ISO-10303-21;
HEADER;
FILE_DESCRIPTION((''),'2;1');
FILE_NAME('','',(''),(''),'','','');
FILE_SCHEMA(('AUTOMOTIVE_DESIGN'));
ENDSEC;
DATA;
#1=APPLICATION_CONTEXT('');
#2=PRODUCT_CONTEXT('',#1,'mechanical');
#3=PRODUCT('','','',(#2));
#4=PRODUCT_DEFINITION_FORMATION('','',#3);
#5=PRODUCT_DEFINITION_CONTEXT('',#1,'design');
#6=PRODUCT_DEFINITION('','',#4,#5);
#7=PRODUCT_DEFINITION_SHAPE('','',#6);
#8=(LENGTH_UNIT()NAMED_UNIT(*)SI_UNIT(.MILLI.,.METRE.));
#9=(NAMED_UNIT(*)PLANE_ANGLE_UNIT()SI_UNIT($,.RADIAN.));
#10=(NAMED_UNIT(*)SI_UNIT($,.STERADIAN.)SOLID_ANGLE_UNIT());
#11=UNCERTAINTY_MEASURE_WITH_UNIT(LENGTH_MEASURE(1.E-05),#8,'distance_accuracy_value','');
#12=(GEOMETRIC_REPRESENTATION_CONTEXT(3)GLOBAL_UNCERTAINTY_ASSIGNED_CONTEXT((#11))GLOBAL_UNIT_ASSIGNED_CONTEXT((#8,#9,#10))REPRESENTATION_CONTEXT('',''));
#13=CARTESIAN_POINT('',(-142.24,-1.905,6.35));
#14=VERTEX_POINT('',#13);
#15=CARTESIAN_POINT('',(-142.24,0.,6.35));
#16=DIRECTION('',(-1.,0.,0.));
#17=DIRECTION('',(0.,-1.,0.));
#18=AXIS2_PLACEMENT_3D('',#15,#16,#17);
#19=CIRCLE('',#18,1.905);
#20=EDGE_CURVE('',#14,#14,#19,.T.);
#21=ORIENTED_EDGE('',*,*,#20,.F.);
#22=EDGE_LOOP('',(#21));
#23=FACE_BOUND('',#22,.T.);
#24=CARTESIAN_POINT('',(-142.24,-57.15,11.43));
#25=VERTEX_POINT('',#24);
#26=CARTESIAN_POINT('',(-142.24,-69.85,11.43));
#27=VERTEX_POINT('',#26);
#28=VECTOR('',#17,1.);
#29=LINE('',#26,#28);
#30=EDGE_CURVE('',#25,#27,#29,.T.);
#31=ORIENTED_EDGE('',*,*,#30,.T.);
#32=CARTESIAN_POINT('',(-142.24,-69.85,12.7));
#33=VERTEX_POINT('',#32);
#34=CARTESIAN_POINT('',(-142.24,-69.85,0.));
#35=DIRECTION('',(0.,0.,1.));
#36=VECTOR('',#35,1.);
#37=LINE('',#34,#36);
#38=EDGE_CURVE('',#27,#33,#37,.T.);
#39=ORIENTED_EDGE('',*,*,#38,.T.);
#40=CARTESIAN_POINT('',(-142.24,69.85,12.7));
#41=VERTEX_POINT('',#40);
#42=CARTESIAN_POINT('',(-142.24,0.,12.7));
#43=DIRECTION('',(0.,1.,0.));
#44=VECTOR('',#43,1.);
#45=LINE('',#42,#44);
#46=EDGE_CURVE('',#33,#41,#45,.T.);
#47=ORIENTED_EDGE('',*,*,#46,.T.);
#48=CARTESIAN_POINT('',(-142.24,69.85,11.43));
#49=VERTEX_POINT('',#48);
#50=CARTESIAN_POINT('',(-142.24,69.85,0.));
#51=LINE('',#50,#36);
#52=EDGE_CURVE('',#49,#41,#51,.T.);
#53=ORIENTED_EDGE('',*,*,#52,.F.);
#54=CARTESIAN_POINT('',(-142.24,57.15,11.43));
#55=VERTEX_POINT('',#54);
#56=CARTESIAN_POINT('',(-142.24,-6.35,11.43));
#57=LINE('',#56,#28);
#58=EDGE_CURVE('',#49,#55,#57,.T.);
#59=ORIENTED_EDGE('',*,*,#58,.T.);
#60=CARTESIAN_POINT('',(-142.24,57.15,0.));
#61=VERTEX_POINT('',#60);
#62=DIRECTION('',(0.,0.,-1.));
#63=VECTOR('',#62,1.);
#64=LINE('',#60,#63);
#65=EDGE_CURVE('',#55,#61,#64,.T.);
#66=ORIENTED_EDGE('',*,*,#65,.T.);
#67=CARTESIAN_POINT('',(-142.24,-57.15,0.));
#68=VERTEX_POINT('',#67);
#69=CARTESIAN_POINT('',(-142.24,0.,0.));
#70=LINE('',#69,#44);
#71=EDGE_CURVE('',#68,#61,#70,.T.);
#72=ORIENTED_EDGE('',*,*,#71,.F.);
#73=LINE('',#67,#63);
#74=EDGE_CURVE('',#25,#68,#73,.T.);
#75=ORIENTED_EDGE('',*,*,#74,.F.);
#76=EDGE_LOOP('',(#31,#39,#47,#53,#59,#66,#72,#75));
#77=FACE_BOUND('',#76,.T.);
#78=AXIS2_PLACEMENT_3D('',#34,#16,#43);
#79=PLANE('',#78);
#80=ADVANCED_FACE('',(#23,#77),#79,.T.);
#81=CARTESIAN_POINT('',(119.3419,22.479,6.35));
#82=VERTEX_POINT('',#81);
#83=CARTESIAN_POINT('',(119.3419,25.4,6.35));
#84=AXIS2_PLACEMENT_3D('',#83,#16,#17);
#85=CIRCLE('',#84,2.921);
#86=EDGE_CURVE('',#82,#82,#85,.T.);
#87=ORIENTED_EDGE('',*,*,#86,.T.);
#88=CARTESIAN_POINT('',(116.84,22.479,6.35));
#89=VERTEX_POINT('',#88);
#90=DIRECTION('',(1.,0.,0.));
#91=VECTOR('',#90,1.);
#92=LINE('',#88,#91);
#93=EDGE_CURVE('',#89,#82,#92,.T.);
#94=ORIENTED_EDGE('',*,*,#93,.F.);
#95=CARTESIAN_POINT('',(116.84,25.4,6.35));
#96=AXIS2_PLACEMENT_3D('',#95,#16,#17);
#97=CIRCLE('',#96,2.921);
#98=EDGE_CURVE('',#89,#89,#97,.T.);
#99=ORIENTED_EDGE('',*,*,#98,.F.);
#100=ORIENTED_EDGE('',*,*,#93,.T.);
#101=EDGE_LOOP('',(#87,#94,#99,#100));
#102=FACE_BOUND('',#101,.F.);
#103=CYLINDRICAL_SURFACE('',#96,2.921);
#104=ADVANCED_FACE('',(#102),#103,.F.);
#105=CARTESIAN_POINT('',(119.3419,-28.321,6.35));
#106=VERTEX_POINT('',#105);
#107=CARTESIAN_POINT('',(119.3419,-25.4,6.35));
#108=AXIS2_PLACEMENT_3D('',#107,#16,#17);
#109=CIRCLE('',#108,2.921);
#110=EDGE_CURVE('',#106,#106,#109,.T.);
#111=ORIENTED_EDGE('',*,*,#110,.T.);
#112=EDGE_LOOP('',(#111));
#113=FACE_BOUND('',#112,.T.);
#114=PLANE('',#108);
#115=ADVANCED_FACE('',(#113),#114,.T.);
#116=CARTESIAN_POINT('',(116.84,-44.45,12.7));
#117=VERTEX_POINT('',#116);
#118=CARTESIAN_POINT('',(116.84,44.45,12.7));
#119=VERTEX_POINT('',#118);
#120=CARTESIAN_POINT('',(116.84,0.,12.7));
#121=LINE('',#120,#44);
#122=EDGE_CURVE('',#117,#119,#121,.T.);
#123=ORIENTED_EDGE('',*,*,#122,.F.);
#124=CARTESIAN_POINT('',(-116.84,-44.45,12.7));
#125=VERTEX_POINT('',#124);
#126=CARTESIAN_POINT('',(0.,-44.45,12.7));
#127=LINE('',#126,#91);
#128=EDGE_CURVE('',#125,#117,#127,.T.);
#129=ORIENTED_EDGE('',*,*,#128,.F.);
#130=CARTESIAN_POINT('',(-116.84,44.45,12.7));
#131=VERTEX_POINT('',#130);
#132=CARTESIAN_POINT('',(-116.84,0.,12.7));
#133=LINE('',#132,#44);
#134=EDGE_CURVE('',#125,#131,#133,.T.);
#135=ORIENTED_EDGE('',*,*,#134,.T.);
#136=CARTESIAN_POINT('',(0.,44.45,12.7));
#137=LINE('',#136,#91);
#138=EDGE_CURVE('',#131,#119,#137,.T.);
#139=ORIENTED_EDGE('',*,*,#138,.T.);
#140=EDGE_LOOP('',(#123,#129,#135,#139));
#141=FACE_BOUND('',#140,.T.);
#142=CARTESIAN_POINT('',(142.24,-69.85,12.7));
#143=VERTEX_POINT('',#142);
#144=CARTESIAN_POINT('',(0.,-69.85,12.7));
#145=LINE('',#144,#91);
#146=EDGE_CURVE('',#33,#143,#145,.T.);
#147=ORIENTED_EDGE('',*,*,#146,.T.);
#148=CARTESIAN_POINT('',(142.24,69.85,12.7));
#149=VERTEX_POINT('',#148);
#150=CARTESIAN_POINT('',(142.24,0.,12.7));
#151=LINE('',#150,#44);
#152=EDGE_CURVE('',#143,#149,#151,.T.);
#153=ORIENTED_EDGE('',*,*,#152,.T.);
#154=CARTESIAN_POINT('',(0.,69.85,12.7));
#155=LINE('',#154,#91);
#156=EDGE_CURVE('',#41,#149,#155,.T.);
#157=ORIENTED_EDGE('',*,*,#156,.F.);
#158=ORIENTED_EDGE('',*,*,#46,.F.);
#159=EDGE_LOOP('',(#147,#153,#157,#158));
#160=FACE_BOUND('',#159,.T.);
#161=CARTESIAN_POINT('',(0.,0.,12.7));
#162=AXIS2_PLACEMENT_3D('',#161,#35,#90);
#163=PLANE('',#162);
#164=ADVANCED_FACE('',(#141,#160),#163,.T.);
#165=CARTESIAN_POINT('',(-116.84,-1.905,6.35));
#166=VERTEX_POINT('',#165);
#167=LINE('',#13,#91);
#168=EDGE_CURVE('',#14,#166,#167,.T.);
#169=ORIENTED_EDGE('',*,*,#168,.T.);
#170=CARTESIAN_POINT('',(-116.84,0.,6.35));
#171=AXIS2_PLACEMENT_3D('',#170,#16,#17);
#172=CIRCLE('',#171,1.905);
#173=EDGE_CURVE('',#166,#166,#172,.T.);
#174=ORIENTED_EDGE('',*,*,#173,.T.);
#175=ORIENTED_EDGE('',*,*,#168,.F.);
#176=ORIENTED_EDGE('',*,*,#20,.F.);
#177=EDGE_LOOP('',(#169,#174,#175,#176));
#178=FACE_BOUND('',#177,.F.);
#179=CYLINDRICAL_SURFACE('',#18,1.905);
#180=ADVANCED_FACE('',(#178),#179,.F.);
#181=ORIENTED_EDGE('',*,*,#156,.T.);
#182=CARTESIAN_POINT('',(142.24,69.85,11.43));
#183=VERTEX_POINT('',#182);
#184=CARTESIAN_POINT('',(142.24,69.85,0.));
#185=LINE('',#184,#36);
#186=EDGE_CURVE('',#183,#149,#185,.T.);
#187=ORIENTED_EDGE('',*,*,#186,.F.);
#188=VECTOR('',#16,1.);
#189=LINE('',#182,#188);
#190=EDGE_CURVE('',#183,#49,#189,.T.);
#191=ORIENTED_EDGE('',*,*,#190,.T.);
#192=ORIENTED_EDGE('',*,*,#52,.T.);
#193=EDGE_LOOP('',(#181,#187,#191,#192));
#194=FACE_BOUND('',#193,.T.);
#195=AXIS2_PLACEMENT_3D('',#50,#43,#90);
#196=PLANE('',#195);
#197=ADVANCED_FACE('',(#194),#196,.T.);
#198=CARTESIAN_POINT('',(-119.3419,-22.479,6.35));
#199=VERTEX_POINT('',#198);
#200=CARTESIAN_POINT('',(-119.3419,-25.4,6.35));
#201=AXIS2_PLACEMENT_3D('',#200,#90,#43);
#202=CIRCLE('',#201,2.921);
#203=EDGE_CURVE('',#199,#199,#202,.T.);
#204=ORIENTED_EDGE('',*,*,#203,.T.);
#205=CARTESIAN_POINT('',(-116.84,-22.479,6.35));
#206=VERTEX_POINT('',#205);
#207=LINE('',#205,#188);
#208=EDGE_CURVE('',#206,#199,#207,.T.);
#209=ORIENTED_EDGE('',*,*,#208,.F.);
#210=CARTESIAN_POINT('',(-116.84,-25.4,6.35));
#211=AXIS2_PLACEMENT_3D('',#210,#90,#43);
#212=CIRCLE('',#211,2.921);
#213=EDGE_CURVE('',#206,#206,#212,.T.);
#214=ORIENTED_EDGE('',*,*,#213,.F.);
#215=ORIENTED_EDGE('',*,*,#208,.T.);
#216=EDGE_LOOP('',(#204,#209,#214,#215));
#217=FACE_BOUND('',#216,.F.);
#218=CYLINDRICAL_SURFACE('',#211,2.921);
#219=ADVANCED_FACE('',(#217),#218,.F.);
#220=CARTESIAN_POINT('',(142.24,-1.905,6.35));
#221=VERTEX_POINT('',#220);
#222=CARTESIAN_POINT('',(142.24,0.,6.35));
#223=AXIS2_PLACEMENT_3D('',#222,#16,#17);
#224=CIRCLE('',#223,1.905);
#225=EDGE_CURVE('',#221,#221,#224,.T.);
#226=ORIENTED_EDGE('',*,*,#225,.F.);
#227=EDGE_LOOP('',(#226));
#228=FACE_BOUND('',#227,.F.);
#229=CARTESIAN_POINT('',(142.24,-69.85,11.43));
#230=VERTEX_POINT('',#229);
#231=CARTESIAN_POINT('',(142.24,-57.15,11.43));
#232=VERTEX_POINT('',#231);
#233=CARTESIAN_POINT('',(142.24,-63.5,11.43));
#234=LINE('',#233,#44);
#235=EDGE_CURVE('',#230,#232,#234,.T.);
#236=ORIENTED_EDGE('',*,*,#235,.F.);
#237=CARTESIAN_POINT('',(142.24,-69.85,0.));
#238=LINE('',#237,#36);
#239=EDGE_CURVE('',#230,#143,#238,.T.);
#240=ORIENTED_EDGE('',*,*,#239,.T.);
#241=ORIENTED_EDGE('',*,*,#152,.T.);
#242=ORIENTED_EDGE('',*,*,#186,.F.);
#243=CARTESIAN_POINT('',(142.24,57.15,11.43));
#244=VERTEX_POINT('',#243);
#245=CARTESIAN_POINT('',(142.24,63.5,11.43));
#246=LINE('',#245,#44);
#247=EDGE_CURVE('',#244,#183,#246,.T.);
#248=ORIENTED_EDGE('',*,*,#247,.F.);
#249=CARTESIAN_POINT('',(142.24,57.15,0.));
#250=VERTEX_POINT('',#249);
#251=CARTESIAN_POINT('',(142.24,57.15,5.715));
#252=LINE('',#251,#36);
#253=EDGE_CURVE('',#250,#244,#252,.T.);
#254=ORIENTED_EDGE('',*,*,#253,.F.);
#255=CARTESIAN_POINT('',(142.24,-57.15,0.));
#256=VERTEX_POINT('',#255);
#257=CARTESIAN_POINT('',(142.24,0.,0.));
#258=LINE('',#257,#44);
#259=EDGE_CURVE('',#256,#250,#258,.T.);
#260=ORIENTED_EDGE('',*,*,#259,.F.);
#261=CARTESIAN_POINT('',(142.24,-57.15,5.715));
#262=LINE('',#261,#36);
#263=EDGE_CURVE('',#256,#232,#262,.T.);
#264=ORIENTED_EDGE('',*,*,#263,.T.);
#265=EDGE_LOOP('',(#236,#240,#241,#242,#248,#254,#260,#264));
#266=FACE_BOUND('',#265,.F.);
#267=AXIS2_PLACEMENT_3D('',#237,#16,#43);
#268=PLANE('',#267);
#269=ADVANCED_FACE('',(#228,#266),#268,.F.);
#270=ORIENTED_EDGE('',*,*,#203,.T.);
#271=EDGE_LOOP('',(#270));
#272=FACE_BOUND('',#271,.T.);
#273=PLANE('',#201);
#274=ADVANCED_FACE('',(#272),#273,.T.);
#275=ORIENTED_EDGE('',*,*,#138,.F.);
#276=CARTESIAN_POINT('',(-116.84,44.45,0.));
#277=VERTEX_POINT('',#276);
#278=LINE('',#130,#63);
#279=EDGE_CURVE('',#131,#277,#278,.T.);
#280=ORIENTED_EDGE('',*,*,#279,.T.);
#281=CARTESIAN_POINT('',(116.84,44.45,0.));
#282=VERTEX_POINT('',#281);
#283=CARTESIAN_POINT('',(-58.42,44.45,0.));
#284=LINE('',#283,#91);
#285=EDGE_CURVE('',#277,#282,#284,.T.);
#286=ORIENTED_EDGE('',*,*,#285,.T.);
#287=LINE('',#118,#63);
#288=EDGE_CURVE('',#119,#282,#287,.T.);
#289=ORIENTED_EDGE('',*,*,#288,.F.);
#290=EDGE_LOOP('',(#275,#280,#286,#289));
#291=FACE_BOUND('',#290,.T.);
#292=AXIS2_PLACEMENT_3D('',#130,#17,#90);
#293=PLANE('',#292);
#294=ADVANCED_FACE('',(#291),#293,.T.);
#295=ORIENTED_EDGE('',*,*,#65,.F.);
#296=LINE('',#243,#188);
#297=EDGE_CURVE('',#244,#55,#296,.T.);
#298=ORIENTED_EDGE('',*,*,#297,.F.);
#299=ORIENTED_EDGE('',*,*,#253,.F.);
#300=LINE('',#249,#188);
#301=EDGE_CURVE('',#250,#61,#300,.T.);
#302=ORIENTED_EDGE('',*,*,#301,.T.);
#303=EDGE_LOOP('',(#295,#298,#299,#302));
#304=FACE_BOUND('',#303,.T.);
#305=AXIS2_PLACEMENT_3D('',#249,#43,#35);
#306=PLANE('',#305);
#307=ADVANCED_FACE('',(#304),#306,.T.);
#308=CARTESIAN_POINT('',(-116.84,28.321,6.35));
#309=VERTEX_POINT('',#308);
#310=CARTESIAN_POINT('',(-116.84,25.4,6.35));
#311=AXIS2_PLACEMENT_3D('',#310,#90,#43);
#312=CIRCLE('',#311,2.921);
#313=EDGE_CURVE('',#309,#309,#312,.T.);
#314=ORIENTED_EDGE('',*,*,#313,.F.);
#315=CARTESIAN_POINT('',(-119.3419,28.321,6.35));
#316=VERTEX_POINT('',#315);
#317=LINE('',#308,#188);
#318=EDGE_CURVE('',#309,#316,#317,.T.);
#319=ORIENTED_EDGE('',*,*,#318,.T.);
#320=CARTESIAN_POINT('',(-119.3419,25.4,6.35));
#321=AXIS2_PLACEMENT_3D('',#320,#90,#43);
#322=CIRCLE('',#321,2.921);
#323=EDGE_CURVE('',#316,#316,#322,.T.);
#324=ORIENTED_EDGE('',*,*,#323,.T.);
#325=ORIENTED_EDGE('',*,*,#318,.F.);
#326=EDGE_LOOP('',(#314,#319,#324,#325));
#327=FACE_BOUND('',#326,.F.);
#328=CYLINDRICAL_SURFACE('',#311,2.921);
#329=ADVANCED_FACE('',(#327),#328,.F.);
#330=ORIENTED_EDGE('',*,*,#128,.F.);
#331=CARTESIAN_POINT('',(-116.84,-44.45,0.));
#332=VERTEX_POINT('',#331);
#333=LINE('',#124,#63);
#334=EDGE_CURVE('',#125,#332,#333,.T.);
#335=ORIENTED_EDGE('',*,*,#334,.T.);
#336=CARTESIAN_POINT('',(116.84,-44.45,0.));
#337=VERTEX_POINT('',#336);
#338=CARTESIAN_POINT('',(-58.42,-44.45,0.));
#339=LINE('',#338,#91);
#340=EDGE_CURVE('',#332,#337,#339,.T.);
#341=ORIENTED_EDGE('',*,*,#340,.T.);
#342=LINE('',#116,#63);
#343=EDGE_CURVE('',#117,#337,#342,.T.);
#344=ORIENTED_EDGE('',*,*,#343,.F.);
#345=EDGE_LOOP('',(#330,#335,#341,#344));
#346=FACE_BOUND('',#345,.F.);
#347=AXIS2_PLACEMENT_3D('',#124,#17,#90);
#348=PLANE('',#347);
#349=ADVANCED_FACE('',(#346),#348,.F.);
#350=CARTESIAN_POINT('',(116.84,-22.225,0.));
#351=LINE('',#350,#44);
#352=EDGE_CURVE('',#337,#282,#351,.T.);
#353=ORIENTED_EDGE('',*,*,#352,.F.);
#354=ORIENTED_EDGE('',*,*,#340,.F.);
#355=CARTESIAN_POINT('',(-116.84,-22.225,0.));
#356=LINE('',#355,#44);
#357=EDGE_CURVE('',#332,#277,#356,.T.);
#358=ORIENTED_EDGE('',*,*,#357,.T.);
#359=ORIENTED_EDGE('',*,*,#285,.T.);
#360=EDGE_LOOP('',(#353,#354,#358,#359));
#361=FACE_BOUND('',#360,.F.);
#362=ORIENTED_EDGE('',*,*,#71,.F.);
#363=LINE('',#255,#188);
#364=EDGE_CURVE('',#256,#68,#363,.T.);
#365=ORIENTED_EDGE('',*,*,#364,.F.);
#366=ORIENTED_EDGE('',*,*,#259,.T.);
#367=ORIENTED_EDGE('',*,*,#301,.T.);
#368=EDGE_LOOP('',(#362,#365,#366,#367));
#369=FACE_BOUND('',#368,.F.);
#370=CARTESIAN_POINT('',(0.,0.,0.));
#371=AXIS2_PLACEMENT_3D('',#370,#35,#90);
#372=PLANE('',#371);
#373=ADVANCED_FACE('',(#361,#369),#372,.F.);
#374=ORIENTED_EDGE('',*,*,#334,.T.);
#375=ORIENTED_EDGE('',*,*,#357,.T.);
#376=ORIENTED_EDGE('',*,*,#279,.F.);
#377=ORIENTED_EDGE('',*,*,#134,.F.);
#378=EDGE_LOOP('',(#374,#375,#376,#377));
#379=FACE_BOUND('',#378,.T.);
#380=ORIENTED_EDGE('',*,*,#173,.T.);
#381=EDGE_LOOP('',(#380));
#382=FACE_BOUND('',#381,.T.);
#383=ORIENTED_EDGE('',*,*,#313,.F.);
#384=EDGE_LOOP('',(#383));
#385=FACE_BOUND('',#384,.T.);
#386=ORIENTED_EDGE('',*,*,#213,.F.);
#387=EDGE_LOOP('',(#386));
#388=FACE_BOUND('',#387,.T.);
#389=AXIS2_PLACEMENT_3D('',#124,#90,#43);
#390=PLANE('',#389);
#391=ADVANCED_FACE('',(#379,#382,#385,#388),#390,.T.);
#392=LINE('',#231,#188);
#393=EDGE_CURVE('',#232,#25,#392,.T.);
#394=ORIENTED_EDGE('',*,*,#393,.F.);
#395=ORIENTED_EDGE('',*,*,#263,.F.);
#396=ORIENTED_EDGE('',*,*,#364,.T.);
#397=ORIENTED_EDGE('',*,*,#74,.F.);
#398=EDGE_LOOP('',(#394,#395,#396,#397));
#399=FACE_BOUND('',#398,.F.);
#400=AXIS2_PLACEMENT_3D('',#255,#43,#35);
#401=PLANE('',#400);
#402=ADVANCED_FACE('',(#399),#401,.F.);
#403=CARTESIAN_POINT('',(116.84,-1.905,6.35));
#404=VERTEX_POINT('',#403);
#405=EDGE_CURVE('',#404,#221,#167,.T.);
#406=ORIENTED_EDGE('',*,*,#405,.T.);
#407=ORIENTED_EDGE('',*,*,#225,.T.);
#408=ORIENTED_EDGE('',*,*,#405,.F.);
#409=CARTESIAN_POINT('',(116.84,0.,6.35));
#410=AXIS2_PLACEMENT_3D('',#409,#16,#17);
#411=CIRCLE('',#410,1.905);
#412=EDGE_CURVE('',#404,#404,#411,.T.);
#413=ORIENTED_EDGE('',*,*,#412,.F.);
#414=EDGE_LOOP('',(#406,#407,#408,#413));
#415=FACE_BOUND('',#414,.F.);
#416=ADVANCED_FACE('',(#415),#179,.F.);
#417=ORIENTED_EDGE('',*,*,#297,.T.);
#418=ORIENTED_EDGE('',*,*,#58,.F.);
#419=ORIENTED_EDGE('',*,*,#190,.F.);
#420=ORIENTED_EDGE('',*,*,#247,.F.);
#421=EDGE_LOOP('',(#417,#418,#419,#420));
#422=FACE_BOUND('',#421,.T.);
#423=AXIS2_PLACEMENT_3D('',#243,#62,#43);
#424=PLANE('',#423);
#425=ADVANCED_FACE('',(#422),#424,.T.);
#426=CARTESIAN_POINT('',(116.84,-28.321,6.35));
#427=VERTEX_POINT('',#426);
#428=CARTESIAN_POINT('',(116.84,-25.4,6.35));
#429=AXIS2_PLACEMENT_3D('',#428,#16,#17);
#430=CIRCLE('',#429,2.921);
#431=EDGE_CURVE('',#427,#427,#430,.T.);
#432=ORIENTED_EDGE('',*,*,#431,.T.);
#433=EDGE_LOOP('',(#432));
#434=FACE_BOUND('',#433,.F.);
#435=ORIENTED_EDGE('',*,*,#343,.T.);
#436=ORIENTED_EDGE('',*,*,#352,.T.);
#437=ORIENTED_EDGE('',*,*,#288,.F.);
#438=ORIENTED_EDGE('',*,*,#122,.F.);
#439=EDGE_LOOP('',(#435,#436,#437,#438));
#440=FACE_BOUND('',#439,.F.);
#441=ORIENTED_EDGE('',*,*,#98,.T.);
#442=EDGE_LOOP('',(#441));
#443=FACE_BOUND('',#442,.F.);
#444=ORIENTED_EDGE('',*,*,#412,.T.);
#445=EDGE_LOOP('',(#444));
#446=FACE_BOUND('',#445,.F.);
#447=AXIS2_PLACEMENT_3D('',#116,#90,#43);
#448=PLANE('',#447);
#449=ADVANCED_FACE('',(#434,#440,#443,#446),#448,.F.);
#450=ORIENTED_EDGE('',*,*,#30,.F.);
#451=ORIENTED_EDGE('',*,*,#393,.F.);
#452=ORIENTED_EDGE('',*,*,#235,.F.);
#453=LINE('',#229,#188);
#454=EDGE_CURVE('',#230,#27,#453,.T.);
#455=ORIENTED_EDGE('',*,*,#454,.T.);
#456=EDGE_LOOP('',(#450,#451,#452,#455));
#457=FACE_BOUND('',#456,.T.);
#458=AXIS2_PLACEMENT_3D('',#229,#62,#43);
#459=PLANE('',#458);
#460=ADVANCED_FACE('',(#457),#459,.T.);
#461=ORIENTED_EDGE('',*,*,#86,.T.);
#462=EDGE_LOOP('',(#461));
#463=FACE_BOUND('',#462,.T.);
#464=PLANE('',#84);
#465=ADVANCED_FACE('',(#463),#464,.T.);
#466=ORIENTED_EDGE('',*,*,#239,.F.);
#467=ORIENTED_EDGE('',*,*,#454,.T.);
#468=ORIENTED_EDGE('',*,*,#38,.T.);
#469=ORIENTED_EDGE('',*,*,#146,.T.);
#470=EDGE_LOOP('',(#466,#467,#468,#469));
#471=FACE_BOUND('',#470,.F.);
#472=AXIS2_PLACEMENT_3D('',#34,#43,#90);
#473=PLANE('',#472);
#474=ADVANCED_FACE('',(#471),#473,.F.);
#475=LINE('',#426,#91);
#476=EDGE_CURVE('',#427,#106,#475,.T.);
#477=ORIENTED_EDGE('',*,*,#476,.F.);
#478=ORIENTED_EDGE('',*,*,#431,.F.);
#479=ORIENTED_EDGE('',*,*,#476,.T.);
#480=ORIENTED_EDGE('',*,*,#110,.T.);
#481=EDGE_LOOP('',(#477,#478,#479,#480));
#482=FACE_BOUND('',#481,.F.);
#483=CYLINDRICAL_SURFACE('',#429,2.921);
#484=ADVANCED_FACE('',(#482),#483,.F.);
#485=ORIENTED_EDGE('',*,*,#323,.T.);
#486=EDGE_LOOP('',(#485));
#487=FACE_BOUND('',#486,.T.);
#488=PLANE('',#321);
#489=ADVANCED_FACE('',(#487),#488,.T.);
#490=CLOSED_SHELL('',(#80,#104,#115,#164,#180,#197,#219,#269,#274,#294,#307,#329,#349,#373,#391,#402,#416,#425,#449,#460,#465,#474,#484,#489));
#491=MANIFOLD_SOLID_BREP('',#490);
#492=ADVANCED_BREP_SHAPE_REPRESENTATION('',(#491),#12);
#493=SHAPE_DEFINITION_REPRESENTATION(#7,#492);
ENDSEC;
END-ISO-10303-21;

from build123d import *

# Parameters (mm, degrees)
F0_W      = 284.48
F0_H      = 139.7
F1_DEPTH  = 12.7
F2_W      = 233.68
F2_H      = 88.9
F3_DEPTH  = 25.4
F4_R      = 1.905
F5_DEPTH  = 508
F6_R      = 2.921
F7_DEPTH  = 2.5019
F8_R      = 2.921
F9_DEPTH  = 2.5019
F10_W     = 12.7
F10_H     = 11.43
F11_DEPTH = 508
F12_W     = 12.7
F12_H     = 11.43
F13_DEPTH = 508


with BuildPart() as f1:
    # F0 (on Top) → F1 (new body)
    with BuildSketch(Plane.XY):
        Rectangle(F0_W, F0_H)
    extrude(amount=F1_DEPTH)

    # F2 (on face) → F3 (cut)
    with BuildSketch(Plane.XY.offset(12.7)):
        Rectangle(F2_W, F2_H)
    extrude(amount=-F3_DEPTH, mode=Mode.SUBTRACT)

    # F4 (on face) → F5 (cut)
    with BuildSketch(Plane(origin=(-142.24, 0, 0), x_dir=(0, -1, 0), z_dir=(-1, 0, 0))):
        with Locations((0, 6.35)):
            Circle(F4_R)
    extrude(amount=-F5_DEPTH, mode=Mode.SUBTRACT)

    # F6 (on face) → F7 (cut)
    with BuildSketch(Plane.YZ.offset(-116.84)):
        with Locations((-25.4, 6.35)):
            Circle(F6_R)
        with Locations((25.4, 6.35)):
            Circle(F6_R)
    extrude(amount=-F7_DEPTH, mode=Mode.SUBTRACT)

    # F8 (on face) → F9 (cut)
    with BuildSketch(Plane(origin=(116.84, 0, 0), x_dir=(0, -1, 0), z_dir=(-1, 0, 0))):
        with Locations((-25.4, 6.35)):
            Circle(F8_R)
        with Locations((25.4, 6.35)):
            Circle(F8_R)
    extrude(amount=-F9_DEPTH, mode=Mode.SUBTRACT)

    # F10 (on face) → F11 (cut)
    with BuildSketch(Plane.YZ.offset(142.24)):
        with Locations((-63.5, 5.715)):
            Rectangle(F10_W, F10_H)
    extrude(amount=-F11_DEPTH, mode=Mode.SUBTRACT)

    # F12 (on face) → F13 (cut)
    with BuildSketch(Plane.YZ.offset(142.24)):
        with Locations((63.5, 5.715)):
            Rectangle(F12_W, F12_H)
    extrude(amount=-F13_DEPTH, mode=Mode.SUBTRACT)


solid = f1.part
